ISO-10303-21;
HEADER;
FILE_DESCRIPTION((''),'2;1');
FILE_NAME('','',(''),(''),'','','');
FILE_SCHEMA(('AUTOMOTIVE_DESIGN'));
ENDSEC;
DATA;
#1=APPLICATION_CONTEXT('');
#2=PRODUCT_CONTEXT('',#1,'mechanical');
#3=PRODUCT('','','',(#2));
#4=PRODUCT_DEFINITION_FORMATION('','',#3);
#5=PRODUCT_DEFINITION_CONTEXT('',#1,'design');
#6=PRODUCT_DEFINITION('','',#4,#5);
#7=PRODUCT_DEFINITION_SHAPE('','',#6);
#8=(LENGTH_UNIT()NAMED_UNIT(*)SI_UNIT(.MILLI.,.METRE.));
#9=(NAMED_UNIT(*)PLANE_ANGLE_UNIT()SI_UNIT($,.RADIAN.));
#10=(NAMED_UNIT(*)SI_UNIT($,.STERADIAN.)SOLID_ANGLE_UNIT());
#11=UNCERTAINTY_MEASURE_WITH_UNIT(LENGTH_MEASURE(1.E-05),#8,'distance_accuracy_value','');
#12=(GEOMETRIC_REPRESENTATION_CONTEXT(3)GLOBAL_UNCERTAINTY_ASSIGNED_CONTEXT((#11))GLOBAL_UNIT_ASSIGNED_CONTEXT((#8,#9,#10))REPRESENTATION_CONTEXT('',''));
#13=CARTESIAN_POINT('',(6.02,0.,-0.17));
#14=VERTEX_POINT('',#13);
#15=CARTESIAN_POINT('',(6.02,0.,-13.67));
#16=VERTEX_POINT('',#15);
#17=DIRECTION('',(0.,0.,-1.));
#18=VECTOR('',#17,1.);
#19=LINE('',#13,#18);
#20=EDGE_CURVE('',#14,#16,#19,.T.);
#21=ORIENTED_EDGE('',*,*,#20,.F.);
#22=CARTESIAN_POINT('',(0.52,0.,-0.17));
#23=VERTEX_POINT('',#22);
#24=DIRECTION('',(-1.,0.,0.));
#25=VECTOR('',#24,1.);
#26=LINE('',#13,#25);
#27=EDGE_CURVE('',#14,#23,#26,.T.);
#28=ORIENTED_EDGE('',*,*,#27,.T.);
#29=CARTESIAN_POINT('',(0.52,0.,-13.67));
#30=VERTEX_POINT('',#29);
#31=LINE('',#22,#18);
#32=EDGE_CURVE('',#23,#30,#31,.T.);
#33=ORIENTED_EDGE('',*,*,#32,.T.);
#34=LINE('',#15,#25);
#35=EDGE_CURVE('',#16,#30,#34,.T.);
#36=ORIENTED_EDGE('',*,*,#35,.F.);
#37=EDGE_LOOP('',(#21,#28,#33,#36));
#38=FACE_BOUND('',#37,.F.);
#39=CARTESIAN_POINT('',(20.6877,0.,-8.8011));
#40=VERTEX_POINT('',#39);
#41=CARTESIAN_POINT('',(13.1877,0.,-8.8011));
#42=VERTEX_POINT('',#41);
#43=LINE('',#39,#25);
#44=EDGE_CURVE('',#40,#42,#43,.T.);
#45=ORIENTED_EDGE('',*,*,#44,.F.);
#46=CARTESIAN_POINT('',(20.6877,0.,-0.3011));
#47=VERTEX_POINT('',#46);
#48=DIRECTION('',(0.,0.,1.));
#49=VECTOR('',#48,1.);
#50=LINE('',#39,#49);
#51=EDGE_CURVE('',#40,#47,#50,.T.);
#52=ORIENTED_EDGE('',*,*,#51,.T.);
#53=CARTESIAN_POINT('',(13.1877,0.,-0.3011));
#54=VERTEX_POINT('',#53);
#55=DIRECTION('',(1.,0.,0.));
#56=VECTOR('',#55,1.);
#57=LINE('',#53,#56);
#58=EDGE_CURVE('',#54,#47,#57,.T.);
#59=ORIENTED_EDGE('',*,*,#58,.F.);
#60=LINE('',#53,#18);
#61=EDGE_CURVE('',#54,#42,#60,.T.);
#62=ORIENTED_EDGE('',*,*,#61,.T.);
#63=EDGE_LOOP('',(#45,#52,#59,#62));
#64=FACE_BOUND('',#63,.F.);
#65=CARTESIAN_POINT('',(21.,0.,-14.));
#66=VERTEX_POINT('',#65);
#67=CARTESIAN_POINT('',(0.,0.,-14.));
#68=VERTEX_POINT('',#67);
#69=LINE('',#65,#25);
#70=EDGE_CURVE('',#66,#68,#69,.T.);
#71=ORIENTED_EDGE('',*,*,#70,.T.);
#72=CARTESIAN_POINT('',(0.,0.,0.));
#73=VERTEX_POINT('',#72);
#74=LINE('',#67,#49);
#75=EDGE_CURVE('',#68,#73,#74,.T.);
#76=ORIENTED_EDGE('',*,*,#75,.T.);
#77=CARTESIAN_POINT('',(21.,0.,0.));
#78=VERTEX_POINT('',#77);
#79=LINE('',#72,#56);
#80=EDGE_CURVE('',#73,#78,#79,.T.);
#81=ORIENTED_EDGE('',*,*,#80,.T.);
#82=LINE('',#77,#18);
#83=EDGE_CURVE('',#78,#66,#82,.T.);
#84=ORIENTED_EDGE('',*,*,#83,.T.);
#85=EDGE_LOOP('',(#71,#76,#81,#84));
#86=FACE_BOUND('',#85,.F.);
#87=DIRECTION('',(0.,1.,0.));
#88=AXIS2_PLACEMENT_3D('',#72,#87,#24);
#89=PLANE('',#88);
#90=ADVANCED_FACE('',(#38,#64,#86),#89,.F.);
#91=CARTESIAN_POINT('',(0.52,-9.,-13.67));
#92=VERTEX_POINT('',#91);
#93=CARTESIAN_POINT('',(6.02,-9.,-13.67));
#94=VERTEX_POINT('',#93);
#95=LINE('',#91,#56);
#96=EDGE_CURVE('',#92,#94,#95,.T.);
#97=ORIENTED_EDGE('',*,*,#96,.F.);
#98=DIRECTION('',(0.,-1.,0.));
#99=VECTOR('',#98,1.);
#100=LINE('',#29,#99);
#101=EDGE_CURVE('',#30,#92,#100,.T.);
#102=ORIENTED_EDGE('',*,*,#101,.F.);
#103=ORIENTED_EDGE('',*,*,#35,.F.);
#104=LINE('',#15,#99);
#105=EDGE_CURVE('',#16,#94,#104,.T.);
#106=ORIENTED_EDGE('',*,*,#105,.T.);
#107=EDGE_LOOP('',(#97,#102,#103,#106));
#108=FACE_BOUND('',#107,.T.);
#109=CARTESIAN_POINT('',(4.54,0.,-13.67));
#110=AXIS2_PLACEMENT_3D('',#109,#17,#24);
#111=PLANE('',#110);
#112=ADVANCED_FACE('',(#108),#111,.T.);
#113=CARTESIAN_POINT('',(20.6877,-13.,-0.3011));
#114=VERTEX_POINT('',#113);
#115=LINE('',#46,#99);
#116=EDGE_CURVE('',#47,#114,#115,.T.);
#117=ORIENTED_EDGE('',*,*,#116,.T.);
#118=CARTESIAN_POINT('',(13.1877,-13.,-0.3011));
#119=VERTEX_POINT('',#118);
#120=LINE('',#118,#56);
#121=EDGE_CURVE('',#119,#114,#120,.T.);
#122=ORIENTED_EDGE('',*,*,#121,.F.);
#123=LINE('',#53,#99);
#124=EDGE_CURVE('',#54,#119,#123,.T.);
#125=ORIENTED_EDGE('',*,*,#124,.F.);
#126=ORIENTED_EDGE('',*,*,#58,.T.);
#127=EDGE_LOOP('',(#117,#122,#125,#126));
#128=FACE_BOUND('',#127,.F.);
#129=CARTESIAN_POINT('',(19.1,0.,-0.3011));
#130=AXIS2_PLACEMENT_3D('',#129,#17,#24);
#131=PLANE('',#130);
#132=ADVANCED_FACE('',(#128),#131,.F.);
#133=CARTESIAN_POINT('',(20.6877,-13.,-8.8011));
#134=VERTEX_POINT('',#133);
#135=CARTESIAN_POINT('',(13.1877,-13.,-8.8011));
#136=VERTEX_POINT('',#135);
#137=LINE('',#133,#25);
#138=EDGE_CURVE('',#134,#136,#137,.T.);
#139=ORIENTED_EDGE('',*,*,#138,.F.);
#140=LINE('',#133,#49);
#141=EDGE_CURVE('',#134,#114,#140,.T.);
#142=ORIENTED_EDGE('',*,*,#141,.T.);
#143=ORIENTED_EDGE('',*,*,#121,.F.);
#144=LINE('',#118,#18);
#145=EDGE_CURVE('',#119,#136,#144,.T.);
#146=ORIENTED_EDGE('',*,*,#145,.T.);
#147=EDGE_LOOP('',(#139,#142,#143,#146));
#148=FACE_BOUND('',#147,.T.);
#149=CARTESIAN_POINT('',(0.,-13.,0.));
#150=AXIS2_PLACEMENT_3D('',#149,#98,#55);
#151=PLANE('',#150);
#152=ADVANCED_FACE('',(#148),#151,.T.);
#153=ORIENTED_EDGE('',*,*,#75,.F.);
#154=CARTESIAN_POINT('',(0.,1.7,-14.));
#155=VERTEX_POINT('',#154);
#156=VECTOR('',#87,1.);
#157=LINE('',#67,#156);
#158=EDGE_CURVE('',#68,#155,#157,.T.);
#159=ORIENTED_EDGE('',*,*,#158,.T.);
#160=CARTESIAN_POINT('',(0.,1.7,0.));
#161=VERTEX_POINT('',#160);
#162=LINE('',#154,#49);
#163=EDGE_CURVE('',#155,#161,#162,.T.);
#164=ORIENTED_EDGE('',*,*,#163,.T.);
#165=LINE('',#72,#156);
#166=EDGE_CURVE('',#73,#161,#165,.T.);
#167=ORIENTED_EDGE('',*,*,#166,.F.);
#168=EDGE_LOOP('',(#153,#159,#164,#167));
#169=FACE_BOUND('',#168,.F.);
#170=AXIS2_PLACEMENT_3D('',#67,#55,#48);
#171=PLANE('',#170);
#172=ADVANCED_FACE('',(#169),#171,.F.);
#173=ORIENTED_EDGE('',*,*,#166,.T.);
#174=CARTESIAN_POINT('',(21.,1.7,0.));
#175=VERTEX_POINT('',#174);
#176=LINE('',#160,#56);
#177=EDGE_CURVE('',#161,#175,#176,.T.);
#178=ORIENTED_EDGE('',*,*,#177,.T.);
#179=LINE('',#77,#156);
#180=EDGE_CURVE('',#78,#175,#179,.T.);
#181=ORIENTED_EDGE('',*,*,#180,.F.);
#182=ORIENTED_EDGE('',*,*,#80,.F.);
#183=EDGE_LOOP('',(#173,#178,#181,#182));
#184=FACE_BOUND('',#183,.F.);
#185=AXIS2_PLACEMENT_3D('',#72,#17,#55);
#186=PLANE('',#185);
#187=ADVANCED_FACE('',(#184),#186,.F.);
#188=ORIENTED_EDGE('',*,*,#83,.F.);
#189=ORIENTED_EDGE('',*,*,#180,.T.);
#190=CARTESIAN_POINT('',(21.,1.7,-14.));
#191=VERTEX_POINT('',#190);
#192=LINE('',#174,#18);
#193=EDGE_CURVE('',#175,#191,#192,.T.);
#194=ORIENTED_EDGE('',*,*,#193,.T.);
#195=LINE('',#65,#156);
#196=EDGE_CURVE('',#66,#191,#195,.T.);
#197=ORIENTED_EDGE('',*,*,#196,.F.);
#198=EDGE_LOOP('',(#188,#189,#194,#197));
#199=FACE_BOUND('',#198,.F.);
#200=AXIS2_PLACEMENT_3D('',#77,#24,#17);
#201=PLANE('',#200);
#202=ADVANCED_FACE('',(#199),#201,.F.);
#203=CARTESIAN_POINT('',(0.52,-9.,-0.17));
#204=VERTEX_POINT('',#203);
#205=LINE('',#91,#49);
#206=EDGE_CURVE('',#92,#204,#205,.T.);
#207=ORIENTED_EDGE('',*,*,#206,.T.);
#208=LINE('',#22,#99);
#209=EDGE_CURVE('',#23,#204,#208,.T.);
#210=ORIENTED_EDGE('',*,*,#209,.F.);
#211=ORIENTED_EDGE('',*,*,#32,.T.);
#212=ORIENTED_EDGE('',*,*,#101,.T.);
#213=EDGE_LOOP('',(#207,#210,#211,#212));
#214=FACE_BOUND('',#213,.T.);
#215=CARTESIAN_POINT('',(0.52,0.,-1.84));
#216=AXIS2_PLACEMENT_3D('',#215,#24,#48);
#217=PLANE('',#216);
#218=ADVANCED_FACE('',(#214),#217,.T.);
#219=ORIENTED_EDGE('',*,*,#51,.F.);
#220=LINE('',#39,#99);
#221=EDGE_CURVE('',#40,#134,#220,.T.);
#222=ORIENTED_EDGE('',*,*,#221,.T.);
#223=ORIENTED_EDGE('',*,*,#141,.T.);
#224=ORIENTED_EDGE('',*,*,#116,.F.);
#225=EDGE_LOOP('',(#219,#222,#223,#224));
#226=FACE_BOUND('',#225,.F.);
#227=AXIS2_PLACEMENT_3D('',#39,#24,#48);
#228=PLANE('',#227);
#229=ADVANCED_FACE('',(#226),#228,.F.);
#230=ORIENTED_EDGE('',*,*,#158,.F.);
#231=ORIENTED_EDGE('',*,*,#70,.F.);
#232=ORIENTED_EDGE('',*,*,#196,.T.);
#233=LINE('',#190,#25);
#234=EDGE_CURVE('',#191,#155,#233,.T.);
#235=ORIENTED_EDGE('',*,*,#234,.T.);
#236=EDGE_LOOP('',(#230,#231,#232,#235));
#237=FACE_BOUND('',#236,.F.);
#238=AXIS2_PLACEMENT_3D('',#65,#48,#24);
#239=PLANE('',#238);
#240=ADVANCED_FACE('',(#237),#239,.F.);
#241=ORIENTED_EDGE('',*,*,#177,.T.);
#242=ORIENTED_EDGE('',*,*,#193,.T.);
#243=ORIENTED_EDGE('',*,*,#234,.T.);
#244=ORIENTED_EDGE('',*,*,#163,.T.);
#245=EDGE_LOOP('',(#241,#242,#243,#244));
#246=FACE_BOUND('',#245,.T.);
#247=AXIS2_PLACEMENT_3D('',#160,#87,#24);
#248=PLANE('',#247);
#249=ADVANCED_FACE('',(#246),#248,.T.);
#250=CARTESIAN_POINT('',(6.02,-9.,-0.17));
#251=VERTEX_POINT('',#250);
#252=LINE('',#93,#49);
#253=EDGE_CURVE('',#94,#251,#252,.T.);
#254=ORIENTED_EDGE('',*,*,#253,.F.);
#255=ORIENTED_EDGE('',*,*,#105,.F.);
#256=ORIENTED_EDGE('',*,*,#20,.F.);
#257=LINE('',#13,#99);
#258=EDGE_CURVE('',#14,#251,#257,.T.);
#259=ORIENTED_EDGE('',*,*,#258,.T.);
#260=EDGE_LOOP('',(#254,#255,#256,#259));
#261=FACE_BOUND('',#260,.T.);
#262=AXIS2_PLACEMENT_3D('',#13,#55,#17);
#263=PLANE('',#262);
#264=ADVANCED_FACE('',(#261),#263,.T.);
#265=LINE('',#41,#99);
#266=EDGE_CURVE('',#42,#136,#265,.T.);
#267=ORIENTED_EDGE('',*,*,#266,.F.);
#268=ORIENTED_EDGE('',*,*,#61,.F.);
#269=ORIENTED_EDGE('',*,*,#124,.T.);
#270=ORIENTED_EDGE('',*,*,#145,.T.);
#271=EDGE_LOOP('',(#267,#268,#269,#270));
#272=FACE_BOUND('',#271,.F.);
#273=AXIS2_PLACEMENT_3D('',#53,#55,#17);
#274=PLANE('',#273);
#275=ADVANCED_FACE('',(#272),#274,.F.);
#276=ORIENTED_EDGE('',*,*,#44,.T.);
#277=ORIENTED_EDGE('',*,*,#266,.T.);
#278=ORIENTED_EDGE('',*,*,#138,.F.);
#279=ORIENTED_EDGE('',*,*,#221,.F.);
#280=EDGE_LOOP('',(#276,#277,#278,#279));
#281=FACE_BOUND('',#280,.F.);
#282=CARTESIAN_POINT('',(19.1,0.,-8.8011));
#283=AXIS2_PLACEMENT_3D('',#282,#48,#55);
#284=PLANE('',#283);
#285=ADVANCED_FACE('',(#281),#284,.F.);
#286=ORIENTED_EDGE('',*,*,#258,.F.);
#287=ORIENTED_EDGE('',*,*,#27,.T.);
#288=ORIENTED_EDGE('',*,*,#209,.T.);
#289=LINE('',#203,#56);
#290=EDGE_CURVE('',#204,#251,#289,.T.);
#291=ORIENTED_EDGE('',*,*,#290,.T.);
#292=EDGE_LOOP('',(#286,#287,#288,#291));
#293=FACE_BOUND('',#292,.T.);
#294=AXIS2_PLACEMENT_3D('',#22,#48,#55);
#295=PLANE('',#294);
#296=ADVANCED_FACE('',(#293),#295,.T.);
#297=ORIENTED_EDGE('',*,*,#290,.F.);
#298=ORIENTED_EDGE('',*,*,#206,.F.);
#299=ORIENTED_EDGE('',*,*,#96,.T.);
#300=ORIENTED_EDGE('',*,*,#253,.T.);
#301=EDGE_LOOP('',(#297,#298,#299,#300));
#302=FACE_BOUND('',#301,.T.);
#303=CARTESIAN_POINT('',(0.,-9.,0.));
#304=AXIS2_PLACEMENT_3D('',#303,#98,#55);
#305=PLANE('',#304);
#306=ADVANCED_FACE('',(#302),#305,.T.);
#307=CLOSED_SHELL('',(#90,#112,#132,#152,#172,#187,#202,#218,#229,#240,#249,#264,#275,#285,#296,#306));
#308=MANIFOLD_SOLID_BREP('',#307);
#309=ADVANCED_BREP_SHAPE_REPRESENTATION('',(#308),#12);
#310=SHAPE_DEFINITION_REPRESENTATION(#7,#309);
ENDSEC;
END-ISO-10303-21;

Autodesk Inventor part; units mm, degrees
ref_plane "YZ Plane" through (0, 0, 0) normal (1, 0, 0) x (0, 1, 0)
ref_plane "XZ Plane" through (0, 0, 0) normal (0, 1, 0) x (-1, 0, 0)
ref_plane "XY Plane" through (0, 0, 0) normal (0, 0, 1) x (1, 0, 0)
sketch "Sketch1" plane through (0, 0, 0) normal (0, 1, 0) x (-1, 0, 0)
  line L0 (0, 0) -> (-21, 0)
  line L1 (-21, 0) -> (-21, -14)
  line L2 (-21, -14) -> (0, -14)
  line L3 (0, -14) -> (0, 0)
  dimension "d0" = 21
  dimension "d1" = 14
extrude "Extrusion1" add sketch "Sketch1" along normal blind 1.7
sketch "Sketch2" plane through (0, 0, 0) normal (0, -1, 0) x (1, 0, 0)
  line L0 (0, 0) -> (21, 0) projected
  line L1 (0, -14) -> (0, 0) projected
  line L2 (-4.6, 0) -> (27.6, 0) projected
  line L3 (0, -16.8) -> (0, 2.8) projected
  line L4 (0.52, -0.17) -> (6.02, -0.17)
  line L5 (6.02, -0.17) -> (6.02, -13.67)
  line L6 (6.02, -13.67) -> (0.52, -13.67)
  line L7 (0.52, -13.67) -> (0.52, -0.17)
  line L8 (2, -1.84) -> (2, -0.17)
  line L9 (2, -1.84) -> (0.52, -1.84)
  line L10 (4.54, -12) -> (4.54, -13.67)
  line L11 (4.54, -12) -> (6.02, -12)
  point P0 (4.54, -1.84)
  point P1 (2, -4.38)
  point P2 (4.54, -4.38)
  point P3 (2, -6.92)
  point P4 (4.54, -6.92)
  point P5 (2, -9.46)
  point P6 (4.54, -9.46)
  point P7 (2, -12)
  dimension "d12" = 2.54
  dimension "d15" = 2.54
  dimension "d18" = 5.5
  dimension "d19" = 13.5
  dimension "d20" = 4.38
  dimension "d21" = 4.54
extrude "Extrusion2" add sketch "Sketch2" along normal blind 9
sketch "Sketch3" plane through (0, 0, 0) normal (0, -1, 0) x (1, 0, 0)
  line L0 (0, -14) -> (0, 0) projected
  line L1 (13.1877, -8.8011) -> (20.6877, -8.8011)
  line L2 (20.6877, -8.8011) -> (20.6877, -0.3011)
  line L3 (20.6877, -0.3011) -> (13.1877, -0.3011)
  line L4 (13.1877, -0.3011) -> (13.1877, -8.8011)
  line L5 (19.1, -2.8011) -> (19.1, -0.3011)
  line L6 (19.1, -6.3011) -> (19.1, -8.8011)
  dimension "d25" = 19.1
  dimension "d26" = 3.5
  dimension "d27" = 7.5
  dimension "d28" = 8.5
extrude "Extrusion3" add sketch "Sketch3" along normal blind 13
properties part number "ccpad"
